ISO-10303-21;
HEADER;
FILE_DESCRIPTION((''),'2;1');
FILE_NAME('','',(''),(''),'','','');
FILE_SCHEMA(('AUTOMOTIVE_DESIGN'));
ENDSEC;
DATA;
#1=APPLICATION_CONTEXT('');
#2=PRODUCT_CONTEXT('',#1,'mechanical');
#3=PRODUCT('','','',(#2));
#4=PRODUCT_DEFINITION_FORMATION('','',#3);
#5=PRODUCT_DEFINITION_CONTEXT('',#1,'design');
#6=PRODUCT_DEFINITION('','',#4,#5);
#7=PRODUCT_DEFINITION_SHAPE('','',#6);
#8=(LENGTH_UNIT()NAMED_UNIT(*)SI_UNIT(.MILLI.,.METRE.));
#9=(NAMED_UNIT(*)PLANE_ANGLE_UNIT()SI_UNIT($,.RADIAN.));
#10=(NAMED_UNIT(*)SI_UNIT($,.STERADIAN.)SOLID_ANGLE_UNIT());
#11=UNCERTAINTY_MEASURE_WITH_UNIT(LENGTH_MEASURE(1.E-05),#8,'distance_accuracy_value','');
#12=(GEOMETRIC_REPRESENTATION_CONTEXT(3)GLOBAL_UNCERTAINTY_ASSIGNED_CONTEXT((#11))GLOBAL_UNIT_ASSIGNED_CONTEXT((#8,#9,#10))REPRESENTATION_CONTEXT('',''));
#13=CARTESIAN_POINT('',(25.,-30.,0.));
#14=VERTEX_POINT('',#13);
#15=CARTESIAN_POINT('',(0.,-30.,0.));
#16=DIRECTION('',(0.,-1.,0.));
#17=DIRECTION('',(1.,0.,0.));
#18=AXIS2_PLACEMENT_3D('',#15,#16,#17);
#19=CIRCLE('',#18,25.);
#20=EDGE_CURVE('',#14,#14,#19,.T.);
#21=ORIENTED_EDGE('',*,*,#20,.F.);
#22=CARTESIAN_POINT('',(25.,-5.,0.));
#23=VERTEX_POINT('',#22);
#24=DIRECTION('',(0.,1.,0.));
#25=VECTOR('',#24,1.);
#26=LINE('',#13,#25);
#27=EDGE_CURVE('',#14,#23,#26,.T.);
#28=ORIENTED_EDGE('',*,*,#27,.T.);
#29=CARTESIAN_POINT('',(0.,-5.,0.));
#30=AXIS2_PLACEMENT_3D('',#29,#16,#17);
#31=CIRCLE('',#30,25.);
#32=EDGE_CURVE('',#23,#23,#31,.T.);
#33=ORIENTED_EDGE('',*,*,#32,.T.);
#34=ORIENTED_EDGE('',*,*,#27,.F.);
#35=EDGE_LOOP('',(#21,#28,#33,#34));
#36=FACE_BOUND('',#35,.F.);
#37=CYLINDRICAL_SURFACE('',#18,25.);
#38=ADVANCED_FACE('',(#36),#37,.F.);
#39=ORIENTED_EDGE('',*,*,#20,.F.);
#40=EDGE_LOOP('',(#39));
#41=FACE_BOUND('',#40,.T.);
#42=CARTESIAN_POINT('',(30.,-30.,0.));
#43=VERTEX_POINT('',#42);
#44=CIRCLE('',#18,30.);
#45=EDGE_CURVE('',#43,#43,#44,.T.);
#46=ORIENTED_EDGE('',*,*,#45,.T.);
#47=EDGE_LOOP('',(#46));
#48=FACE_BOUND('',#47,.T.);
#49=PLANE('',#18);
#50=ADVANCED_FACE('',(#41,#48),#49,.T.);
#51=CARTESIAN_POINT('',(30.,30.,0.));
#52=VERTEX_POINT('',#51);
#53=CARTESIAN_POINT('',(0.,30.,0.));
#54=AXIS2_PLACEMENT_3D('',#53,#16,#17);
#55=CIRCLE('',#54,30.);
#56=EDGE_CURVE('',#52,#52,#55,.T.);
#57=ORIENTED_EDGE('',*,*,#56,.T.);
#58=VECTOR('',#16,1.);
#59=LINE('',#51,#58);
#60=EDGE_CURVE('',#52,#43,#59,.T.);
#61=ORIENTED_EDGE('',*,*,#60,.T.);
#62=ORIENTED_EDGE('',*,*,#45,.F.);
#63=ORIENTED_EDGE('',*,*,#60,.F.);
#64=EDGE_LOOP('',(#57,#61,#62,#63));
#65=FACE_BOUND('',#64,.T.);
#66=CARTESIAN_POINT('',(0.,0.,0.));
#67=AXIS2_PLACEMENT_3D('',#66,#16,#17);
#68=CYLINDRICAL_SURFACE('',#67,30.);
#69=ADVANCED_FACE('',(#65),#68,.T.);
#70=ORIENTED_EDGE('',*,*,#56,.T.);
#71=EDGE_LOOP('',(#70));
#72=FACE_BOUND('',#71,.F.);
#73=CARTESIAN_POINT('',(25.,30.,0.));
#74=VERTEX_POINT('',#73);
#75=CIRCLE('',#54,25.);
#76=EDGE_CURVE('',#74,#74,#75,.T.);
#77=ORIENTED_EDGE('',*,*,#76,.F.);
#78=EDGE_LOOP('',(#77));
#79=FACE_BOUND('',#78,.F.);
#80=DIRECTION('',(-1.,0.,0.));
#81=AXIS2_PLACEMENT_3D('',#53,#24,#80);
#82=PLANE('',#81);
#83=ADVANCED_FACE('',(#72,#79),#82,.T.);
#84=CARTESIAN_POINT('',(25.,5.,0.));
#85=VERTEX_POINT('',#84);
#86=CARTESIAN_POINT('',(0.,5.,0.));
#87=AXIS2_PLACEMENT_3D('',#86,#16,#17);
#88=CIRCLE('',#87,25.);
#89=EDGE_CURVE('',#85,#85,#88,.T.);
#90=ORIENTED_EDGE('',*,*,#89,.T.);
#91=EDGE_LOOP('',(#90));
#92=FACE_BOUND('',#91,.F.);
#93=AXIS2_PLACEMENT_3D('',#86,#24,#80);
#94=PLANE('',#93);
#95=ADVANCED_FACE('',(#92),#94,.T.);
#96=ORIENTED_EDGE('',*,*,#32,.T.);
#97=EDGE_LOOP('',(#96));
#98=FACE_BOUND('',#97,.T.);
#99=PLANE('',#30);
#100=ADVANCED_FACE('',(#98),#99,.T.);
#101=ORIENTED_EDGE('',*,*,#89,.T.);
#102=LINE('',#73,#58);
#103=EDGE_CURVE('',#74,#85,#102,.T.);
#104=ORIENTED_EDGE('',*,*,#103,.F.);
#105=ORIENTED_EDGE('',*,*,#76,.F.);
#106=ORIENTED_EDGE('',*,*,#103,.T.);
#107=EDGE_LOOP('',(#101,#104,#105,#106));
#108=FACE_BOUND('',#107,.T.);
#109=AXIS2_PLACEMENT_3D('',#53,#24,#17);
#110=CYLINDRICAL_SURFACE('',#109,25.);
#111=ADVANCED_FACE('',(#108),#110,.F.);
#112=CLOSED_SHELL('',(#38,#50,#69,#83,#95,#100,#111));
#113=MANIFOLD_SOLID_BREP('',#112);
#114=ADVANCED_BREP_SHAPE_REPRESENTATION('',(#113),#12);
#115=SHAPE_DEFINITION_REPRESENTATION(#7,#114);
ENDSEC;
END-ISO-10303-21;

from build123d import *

# Parameters (mm, degrees)
F0_R     = 30
F1_DEPTH = 30
F2_R     = 25
F3_DEPTH = 25


with BuildPart() as f1:
    # F0 (on Front) → F1 (new body)
    with BuildSketch(Plane.XZ):
        Circle(F0_R)
    extrude(amount=F1_DEPTH)

    # F2 (on face) → F3 (cut)
    with BuildSketch(Plane.XZ.offset(30)):
        Circle(F2_R)
    extrude(amount=-F3_DEPTH, mode=Mode.SUBTRACT)

    # F4: F1 across plane


with BuildPart() as f1_1:
    add(f1.part)
    add(f1.part.mirror(Plane.XZ))


solid = f1_1.part
